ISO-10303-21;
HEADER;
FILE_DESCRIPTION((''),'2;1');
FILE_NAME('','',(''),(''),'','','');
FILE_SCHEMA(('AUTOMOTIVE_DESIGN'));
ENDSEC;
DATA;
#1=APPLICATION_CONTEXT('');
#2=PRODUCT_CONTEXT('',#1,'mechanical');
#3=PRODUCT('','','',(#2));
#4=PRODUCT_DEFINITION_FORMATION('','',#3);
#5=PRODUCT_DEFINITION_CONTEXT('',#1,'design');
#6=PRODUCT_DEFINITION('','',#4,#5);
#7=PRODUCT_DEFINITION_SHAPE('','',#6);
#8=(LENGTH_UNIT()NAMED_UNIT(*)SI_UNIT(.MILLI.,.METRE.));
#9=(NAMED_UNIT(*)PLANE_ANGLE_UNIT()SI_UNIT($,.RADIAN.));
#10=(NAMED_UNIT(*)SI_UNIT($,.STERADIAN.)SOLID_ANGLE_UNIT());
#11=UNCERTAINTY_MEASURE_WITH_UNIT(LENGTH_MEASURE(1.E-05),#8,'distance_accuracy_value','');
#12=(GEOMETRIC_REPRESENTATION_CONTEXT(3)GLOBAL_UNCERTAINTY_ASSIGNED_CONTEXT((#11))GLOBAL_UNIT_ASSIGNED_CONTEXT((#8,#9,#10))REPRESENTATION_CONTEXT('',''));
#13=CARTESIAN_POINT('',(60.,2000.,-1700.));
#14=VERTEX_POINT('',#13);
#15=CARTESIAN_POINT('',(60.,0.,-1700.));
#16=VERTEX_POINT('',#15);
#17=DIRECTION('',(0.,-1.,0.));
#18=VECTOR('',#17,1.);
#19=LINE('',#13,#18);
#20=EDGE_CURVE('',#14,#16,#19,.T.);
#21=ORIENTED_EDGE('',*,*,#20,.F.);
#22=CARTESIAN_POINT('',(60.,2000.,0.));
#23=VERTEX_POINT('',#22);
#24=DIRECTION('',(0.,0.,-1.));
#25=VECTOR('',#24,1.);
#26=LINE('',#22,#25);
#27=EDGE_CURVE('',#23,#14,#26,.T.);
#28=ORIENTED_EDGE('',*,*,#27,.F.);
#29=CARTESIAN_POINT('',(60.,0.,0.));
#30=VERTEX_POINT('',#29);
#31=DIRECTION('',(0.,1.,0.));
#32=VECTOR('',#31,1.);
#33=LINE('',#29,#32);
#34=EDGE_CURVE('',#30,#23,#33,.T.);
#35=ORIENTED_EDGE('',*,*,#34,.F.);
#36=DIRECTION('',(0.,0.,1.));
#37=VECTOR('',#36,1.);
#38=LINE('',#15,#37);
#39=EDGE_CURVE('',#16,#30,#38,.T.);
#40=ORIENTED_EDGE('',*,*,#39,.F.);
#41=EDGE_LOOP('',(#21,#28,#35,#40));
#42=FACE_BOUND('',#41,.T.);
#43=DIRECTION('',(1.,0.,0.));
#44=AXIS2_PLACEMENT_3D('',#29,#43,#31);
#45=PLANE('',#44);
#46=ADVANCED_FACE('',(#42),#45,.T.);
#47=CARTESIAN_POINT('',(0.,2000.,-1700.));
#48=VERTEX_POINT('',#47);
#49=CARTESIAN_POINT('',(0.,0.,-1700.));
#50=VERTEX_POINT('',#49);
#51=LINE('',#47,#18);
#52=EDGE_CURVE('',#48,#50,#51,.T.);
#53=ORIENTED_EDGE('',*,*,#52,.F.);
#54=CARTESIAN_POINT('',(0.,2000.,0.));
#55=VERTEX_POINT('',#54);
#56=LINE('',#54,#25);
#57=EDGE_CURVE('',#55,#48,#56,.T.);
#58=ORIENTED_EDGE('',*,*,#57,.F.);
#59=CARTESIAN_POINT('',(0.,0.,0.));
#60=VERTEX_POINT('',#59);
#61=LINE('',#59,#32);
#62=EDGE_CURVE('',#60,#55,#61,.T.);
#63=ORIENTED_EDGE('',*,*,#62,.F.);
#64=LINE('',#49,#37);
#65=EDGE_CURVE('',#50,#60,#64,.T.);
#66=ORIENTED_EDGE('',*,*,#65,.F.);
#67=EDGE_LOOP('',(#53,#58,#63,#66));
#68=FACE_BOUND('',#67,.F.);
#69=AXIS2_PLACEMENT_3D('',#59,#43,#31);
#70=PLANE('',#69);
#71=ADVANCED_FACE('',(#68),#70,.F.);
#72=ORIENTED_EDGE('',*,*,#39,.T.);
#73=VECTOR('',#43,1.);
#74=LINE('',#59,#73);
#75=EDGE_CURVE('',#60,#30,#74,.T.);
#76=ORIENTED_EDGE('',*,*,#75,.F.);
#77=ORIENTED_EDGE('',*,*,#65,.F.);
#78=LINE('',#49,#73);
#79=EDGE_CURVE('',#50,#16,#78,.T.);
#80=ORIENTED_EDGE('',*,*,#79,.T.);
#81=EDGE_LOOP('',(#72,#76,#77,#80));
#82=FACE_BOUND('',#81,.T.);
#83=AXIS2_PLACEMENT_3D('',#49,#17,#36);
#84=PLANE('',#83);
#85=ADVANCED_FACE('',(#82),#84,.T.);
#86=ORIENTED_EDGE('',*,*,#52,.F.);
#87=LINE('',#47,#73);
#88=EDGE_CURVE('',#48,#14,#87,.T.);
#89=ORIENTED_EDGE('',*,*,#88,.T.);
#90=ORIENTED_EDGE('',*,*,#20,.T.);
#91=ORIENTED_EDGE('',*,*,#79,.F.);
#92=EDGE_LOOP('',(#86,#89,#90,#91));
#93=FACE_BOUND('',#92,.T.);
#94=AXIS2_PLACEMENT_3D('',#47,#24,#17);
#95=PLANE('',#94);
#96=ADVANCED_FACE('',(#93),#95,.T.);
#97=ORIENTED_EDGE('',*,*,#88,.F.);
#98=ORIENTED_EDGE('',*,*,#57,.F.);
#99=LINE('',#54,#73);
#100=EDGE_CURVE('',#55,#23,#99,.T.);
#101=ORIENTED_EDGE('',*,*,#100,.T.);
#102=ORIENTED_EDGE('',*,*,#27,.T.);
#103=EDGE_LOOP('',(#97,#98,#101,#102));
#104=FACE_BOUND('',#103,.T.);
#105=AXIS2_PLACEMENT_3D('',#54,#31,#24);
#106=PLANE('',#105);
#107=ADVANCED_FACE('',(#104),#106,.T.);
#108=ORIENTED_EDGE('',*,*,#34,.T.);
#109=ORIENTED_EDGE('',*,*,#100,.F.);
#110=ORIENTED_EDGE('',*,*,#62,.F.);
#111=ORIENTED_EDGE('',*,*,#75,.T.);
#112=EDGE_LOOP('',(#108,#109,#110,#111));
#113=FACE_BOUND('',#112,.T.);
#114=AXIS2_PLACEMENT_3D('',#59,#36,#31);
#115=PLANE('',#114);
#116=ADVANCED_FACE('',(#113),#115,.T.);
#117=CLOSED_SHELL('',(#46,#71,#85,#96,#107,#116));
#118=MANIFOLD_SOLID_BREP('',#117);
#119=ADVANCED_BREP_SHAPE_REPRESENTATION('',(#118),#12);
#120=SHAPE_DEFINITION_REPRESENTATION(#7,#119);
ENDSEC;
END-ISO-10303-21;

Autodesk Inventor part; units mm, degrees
ref_plane "YZ Plane" through (0, 0, 0) normal (1, 0, 0) x (0, 1, 0)
ref_plane "XZ Plane" through (0, 0, 0) normal (0, 1, 0) x (-1, 0, 0)
ref_plane "XY Plane" through (0, 0, 0) normal (0, 0, 1) x (1, 0, 0)
sketch "Sketch1" plane through (0, 0, 0) normal (1, 0, 0) x (0, 1, 0)
  line L0 (0, 0) -> (2000, 0)
  line L1 (2000, 0) -> (2000, -1700)
  line L2 (2000, -1700) -> (0, -1700)
  line L3 (0, -1700) -> (0, 0)
  dimension "d0" = 2000
  dimension "d1" = 1700
extrude "Extrusion1" add sketch "Sketch1" along normal blind 60
properties part number "back gusset" material "Stainless Steel, Austenitic"
